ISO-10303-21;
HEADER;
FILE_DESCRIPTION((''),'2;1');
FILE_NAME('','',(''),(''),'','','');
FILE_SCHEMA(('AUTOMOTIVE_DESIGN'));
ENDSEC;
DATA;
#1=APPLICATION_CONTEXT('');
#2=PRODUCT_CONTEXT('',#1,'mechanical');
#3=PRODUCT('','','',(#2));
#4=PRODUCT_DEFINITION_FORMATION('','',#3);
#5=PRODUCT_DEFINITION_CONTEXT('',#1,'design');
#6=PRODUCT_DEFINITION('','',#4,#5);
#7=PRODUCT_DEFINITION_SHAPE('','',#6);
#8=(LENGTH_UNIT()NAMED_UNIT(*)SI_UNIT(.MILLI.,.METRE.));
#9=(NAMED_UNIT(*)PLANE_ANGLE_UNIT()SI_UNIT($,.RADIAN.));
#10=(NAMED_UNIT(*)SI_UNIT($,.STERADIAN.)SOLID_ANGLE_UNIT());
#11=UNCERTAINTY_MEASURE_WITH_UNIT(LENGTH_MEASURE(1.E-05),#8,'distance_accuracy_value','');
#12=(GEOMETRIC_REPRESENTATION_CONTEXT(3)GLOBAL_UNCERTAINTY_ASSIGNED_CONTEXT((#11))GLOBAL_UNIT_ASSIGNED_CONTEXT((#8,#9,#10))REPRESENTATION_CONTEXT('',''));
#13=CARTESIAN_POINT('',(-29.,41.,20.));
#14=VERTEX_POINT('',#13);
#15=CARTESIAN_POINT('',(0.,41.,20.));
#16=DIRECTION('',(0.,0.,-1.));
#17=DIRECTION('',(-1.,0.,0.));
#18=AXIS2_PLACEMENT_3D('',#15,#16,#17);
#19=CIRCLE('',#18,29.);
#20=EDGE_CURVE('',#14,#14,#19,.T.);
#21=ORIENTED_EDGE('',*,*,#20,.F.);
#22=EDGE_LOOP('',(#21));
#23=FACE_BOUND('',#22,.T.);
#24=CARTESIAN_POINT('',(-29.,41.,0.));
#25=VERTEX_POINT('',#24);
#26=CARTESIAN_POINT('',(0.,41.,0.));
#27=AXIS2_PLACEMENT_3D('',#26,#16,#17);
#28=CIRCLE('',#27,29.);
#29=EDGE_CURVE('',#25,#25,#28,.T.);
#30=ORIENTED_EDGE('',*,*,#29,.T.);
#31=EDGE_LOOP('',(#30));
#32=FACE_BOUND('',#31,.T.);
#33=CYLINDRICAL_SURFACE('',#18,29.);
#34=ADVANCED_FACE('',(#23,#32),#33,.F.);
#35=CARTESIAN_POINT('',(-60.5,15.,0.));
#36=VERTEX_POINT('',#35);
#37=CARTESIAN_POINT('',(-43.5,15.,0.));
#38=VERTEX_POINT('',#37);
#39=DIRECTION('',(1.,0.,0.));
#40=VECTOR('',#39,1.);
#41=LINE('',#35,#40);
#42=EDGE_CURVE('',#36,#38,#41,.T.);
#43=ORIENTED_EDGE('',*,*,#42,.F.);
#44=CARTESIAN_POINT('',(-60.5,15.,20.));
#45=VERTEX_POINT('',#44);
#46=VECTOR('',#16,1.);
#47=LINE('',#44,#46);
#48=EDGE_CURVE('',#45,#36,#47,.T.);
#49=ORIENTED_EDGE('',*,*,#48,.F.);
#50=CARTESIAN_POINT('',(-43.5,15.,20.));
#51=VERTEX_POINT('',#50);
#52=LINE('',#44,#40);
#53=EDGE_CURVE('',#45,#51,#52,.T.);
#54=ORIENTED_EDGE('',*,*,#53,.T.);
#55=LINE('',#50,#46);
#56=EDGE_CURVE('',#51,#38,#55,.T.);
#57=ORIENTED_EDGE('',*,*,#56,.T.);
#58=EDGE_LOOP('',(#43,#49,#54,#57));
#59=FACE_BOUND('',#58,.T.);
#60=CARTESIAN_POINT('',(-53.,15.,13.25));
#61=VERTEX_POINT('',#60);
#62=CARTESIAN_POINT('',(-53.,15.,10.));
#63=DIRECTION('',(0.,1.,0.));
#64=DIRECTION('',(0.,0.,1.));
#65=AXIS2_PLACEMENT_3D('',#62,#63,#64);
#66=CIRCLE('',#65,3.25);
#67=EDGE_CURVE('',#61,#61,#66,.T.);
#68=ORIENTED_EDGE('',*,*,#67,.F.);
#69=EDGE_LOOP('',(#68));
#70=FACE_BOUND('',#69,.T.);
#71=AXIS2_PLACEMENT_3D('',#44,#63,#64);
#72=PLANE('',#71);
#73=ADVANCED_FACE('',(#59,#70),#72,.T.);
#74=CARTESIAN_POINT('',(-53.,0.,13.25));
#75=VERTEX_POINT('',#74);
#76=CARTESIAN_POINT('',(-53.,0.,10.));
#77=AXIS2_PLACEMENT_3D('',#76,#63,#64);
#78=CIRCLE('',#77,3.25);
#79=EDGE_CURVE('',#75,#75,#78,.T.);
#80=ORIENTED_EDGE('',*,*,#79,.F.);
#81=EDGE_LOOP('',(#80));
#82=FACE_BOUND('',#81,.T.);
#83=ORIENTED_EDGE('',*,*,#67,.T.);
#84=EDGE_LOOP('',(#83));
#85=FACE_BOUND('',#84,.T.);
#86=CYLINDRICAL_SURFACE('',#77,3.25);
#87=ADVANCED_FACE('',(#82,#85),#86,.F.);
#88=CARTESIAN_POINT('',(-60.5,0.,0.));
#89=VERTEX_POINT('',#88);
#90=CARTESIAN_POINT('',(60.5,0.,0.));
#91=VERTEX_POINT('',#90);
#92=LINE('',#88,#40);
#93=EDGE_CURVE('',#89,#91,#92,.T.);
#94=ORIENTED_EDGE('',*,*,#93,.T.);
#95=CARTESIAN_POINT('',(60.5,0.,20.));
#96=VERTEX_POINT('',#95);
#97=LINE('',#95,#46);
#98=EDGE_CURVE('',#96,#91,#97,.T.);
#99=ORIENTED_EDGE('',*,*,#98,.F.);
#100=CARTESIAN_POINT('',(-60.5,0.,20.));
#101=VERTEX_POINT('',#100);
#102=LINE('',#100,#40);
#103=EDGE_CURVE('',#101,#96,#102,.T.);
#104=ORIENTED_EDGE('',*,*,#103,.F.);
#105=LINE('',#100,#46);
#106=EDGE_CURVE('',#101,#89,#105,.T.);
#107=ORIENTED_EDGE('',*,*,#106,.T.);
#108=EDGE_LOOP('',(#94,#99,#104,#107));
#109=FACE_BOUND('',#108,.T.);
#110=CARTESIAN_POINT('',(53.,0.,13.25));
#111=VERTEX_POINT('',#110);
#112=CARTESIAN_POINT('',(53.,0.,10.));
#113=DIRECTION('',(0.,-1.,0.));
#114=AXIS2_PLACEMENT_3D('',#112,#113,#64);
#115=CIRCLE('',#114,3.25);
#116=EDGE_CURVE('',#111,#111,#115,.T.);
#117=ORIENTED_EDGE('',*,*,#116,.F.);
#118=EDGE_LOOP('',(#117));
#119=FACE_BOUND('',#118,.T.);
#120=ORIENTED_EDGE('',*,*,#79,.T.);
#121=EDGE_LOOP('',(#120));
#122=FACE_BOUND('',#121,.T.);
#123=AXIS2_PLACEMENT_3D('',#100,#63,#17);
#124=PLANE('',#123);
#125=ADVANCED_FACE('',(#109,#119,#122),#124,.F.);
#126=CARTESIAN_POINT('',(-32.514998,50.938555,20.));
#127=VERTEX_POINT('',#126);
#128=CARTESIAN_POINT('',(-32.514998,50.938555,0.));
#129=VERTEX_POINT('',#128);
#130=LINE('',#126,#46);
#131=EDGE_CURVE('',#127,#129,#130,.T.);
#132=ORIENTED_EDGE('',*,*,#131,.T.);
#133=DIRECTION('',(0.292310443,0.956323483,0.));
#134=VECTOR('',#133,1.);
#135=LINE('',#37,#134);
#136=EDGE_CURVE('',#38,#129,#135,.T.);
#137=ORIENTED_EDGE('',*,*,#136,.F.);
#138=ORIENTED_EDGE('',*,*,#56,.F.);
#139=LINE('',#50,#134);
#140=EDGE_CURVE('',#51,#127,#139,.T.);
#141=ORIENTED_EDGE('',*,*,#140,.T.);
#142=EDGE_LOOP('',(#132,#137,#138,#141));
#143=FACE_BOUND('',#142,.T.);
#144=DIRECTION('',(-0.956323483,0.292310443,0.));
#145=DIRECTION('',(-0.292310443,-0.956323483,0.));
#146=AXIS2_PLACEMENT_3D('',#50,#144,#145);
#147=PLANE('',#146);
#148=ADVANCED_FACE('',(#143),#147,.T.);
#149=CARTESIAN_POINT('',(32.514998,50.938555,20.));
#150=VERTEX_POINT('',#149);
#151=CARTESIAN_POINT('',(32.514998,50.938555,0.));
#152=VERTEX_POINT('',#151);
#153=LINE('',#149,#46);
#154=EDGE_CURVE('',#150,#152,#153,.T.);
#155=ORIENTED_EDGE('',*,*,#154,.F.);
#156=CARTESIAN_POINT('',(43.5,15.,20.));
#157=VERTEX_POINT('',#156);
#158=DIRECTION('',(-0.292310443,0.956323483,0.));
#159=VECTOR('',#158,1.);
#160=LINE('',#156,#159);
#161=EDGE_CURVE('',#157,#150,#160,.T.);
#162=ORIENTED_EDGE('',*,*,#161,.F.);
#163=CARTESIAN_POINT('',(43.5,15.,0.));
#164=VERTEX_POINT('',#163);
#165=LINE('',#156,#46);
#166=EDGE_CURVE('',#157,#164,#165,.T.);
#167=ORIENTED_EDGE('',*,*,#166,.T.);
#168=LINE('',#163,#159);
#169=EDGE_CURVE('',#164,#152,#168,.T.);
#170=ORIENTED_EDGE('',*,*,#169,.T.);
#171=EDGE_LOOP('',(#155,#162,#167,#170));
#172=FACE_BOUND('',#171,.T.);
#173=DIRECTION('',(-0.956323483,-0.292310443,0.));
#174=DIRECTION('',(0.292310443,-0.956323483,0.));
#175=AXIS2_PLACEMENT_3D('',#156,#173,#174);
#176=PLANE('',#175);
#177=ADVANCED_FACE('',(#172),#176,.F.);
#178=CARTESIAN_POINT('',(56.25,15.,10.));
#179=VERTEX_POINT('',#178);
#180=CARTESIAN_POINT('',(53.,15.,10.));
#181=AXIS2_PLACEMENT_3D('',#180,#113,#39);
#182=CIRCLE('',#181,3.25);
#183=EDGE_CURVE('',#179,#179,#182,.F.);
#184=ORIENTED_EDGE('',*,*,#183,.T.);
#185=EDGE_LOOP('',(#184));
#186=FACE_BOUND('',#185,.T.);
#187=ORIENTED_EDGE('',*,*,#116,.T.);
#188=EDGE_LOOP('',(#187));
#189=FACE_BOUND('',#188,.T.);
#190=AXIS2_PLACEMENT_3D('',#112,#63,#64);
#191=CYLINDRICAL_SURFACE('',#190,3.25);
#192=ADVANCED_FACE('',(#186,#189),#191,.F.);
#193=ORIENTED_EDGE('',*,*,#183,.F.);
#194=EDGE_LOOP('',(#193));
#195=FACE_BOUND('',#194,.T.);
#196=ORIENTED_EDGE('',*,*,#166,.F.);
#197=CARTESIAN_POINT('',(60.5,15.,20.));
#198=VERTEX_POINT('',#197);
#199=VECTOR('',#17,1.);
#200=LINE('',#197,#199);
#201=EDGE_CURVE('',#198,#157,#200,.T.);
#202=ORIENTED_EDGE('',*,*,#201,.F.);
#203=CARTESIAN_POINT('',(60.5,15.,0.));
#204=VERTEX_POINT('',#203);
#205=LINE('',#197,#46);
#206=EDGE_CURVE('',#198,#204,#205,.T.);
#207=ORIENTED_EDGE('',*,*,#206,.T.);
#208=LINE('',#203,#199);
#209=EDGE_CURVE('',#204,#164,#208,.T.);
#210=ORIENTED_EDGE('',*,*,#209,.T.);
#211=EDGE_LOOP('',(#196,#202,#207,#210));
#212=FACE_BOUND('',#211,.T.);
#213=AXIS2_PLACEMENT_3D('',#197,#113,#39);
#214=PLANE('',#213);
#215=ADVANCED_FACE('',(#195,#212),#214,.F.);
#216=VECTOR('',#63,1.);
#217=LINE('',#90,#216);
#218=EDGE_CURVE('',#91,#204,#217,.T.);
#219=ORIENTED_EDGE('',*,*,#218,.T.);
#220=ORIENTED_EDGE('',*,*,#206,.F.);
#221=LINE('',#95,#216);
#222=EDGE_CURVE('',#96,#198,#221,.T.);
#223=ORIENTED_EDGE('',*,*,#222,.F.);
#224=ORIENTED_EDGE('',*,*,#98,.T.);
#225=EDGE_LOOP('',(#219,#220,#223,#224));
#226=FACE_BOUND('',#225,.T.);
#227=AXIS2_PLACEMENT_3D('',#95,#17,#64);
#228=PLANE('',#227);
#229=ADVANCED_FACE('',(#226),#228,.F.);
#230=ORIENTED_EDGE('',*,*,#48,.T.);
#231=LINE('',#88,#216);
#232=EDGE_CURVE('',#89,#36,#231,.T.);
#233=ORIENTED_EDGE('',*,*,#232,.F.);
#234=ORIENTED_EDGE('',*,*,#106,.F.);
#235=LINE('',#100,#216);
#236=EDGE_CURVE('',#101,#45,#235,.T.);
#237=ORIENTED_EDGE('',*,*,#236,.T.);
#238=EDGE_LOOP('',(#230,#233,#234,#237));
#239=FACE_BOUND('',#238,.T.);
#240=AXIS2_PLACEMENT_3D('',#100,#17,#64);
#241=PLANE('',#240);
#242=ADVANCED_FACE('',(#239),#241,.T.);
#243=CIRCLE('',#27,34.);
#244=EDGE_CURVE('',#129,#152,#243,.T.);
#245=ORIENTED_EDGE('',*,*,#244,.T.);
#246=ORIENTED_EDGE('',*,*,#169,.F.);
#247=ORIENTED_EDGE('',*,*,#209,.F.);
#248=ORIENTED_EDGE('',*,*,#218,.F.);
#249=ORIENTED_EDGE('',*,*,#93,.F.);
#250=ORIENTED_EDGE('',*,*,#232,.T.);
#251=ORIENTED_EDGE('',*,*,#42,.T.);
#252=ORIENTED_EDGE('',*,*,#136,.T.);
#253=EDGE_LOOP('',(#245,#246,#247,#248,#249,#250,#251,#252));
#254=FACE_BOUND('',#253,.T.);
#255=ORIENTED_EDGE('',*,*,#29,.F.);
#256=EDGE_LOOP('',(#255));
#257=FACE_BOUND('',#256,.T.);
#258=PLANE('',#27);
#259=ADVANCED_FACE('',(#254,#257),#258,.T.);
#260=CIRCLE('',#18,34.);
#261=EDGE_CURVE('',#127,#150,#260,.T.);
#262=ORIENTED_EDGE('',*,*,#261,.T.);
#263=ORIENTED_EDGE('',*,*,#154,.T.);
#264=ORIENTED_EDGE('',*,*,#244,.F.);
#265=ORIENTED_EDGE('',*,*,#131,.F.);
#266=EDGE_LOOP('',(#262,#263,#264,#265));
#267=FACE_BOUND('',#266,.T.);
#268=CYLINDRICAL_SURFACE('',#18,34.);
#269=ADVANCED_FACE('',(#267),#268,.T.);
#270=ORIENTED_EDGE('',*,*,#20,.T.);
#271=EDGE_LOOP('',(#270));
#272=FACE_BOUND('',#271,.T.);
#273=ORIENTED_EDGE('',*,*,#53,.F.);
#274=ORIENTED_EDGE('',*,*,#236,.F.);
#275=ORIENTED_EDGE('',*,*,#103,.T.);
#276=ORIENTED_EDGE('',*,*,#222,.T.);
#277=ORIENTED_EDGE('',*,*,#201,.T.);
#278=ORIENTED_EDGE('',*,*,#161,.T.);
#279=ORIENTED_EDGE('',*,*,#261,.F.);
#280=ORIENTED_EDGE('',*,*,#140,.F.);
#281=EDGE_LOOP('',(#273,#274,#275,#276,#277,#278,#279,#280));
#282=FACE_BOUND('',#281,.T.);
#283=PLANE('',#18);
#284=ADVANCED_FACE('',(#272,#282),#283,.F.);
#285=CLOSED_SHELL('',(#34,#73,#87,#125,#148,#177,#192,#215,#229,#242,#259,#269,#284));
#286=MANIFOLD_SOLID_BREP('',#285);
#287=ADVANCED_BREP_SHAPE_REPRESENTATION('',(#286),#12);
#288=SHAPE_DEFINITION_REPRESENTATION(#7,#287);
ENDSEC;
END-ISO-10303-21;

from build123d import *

# Parameters (mm, degrees)
BOSS_EXTRUDE1_DEPTH     = 20
SKETCH2_R               = 29
CUT_EXTRUDE1_DEPTH      = 1
CUT_EXTRUDE1_DEPTH_BACK = 21
CUT_EXTRUDE2_START      = -16
SKETCH3_R               = 3.25
CUT_EXTRUDE2_DEPTH      = 77


with BuildPart() as part:
    # Sketch1 → Boss-Extrude1 (new body)
    with BuildSketch(Plane.XY):
        with BuildLine():
            Line((-60.5, 0), (60.5, 0))
            Line((60.5, 0), (60.5, 15))
            Line((60.5, 15), (43.5, 15))
            Line((43.5, 15), (32.514998433, 50.938555071))
            ThreePointArc((32.514998433, 50.938555071), (0, 75), (-32.514998433, 50.938555071))
            Line((-32.514998433, 50.938555071), (-43.5, 15))
            Line((-43.5, 15), (-60.5, 15))
            Line((-60.5, 15), (-60.5, 0))
        make_face()
    extrude(amount=BOSS_EXTRUDE1_DEPTH)

    # Sketch2 → Cut-Extrude1 (cut, two sides)
    with BuildSketch(Plane(origin=(0, 0, 0), x_dir=(-1, 0, 0), z_dir=(0, 0, -1))) as cut_extrude1_sk:
        with Locations((0, 41)):
            Circle(SKETCH2_R)
    extrude(amount=CUT_EXTRUDE1_DEPTH, mode=Mode.SUBTRACT)
    extrude(cut_extrude1_sk.sketch, amount=-CUT_EXTRUDE1_DEPTH_BACK, mode=Mode.SUBTRACT)

    # Sketch3 → Cut-Extrude2 (cut)
    with BuildSketch(Plane(origin=(0, 15, 0), x_dir=(1, 0, 0), z_dir=(0, 1, 0)).offset(CUT_EXTRUDE2_START)):
        with Locations((-53, -10)):
            Circle(SKETCH3_R)
    cut_extrude2 = extrude(amount=CUT_EXTRUDE2_DEPTH, mode=Mode.SUBTRACT)

    # Mirror1: Cut-Extrude2 across plane
    add(cut_extrude2.mirror(Plane(origin=(0, 0, 0), x_dir=(0, 0, 1), z_dir=(1, 0, 0))), mode=Mode.SUBTRACT)


solid = part.part
